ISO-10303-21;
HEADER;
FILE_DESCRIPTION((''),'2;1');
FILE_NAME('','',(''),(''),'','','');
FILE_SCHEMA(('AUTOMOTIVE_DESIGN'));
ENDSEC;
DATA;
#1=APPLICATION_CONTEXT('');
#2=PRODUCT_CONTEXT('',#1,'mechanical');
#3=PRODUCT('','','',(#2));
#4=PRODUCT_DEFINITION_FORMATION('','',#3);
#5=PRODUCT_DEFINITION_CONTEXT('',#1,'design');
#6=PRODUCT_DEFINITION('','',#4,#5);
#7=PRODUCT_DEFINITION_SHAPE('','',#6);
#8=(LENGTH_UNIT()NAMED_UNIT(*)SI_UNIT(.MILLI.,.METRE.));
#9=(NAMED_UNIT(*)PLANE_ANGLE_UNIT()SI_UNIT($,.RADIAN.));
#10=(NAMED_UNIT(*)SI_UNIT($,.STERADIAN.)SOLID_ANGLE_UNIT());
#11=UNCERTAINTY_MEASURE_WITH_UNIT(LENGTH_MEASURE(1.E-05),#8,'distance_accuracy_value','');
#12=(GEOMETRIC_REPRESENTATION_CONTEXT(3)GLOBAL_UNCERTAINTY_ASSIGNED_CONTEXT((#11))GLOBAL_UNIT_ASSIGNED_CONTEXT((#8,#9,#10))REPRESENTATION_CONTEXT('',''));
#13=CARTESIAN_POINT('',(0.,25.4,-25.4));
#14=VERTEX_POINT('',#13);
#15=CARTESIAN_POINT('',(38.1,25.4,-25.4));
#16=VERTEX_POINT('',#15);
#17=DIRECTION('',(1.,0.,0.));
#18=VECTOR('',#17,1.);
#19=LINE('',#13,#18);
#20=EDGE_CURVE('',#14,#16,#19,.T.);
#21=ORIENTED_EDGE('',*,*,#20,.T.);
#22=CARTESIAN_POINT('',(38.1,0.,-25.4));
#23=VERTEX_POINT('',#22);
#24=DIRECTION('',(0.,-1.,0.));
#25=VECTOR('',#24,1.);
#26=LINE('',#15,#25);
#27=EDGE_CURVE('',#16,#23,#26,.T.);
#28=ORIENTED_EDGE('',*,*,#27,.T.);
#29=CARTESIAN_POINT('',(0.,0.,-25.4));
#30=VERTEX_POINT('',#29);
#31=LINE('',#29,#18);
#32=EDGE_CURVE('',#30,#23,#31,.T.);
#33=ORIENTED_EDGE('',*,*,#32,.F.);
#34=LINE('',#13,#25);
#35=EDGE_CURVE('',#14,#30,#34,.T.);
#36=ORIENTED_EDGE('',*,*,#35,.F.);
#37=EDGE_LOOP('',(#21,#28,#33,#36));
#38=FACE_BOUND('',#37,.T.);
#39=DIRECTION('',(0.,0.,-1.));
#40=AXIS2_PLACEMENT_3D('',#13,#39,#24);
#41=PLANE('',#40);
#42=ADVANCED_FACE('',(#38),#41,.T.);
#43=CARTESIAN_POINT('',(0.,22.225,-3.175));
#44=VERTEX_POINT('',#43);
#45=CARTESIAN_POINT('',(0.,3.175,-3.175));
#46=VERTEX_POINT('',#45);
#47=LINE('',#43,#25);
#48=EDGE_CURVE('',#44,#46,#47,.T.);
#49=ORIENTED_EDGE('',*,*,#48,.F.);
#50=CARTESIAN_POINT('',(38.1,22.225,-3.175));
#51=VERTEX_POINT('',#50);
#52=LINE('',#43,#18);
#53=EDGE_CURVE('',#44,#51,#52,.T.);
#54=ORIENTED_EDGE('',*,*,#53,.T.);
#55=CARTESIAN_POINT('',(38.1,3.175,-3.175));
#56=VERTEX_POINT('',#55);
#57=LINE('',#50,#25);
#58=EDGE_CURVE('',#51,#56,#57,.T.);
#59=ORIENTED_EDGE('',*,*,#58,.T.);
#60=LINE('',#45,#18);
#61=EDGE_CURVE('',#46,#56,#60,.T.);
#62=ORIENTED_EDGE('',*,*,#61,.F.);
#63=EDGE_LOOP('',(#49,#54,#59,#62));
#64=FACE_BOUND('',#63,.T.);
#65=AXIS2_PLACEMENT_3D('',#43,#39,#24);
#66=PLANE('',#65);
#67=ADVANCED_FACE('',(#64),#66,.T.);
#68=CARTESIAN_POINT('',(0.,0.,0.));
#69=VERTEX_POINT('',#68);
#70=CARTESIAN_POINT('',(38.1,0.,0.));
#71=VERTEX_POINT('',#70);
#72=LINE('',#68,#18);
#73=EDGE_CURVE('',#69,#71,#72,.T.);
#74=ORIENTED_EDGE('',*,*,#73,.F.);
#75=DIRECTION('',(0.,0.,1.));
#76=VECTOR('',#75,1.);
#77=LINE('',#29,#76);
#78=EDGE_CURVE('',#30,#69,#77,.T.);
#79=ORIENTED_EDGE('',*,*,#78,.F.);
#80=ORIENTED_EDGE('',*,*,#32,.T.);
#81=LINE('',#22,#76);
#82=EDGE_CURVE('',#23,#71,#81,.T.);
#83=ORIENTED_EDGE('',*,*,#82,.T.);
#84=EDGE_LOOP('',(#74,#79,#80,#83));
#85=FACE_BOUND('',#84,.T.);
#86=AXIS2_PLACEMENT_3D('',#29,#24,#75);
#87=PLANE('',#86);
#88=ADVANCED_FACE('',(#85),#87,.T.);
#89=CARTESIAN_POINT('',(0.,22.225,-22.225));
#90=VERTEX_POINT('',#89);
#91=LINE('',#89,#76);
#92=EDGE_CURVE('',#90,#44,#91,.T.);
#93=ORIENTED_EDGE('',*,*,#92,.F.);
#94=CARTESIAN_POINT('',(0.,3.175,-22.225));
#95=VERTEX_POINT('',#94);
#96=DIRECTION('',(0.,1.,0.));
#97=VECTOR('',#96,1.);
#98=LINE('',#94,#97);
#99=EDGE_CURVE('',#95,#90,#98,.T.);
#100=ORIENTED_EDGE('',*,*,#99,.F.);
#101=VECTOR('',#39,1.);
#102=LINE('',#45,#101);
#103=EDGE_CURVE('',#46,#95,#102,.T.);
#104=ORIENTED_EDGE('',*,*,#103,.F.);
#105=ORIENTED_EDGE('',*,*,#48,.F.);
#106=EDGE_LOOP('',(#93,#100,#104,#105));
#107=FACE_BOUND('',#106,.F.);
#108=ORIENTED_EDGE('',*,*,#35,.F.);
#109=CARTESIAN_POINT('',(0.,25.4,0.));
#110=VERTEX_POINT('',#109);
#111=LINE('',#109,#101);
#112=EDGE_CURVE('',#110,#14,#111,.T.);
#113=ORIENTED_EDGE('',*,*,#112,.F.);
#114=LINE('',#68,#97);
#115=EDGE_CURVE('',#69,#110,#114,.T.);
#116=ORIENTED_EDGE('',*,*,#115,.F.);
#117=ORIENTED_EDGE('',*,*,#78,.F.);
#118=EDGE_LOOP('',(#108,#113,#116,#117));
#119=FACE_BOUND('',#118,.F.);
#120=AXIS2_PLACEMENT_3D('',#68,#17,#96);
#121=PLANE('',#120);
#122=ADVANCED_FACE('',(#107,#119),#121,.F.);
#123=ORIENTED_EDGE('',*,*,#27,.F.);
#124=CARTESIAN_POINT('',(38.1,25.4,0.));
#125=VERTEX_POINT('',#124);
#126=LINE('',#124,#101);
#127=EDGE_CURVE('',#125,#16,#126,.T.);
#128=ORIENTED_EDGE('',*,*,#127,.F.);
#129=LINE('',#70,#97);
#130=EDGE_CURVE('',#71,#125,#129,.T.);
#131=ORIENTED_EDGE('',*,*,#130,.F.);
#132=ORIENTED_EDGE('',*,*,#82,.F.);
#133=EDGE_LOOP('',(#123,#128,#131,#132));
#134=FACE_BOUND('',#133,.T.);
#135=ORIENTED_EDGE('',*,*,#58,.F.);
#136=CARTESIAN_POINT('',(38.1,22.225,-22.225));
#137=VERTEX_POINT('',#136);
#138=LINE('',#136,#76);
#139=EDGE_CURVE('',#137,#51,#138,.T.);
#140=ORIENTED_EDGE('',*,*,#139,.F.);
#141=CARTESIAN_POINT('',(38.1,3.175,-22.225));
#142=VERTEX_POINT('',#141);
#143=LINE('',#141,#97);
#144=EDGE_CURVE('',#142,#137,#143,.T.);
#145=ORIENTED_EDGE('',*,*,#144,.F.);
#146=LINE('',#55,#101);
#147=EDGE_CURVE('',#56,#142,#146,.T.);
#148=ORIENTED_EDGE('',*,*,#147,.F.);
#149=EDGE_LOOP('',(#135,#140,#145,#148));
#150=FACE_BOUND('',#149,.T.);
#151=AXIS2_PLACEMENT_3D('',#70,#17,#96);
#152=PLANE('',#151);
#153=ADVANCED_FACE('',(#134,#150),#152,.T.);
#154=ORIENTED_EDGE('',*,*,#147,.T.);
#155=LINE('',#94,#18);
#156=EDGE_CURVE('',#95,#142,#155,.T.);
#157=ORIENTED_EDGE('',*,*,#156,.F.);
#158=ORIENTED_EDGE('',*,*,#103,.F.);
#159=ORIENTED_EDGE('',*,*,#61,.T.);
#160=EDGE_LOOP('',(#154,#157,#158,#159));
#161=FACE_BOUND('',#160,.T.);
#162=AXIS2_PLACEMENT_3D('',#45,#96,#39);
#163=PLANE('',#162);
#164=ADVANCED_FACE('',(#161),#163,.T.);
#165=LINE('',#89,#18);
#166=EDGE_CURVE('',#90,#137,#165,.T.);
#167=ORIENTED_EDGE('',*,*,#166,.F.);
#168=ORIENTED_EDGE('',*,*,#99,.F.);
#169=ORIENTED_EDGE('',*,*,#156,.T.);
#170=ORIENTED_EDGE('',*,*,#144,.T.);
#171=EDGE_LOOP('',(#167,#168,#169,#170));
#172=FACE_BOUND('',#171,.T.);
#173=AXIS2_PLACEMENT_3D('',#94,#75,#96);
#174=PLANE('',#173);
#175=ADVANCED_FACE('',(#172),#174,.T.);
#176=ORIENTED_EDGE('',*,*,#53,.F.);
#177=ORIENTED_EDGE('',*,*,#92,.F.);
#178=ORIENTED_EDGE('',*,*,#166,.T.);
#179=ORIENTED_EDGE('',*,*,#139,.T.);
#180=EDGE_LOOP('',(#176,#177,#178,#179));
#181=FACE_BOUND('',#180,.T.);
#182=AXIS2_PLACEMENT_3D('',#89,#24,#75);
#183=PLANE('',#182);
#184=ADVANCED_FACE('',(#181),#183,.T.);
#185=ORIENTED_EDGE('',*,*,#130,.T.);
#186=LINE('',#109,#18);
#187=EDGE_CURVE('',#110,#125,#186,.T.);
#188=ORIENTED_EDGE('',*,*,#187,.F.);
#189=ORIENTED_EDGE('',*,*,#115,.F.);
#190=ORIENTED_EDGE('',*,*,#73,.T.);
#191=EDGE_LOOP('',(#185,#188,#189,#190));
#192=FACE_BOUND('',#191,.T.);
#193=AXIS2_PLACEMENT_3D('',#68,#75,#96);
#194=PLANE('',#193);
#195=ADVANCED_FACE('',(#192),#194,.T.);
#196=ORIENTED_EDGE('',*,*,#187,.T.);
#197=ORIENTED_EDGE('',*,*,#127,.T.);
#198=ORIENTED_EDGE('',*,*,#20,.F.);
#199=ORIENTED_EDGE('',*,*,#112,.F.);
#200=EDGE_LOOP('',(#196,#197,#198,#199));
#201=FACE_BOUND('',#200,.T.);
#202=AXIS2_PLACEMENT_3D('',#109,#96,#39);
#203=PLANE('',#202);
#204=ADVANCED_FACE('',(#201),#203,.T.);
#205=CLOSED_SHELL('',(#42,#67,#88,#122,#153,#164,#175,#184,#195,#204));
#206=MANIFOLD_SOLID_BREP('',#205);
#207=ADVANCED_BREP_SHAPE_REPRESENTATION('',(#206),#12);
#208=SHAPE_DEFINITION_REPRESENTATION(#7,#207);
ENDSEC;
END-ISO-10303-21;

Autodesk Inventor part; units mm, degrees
ref_plane "YZ Plane" through (0, 0, 0) normal (1, 0, 0) x (0, 1, 0)
ref_plane "XZ Plane" through (0, 0, 0) normal (0, 1, 0) x (-1, 0, 0)
ref_plane "XY Plane" through (0, 0, 0) normal (0, 0, 1) x (1, 0, 0)
sketch "Sketch1" plane through (0, 0, 0) normal (1, 0, 0) x (0, 1, 0)
  line L0 (0, 0) -> (25.4, 0)
  line L1 (25.4, 0) -> (25.4, -25.4)
  line L2 (25.4, -25.4) -> (0, -25.4)
  line L3 (0, -25.4) -> (0, 0)
  line L4 (22.225, -22.225) -> (22.225, -3.175)
  line L5 (22.225, -3.175) -> (3.175, -3.175)
  line L6 (3.175, -3.175) -> (3.175, -22.225)
  line L7 (3.175, -22.225) -> (22.225, -22.225)
  dimension "d0" = 25.4
  dimension "d1" = 25.4
  dimension "d2" = 3.175
extrude "Extrusion1" add sketch "Sketch1" along normal blind 38.1
properties part number "1.5inchbar1x1" material "Aluminum 6061"
